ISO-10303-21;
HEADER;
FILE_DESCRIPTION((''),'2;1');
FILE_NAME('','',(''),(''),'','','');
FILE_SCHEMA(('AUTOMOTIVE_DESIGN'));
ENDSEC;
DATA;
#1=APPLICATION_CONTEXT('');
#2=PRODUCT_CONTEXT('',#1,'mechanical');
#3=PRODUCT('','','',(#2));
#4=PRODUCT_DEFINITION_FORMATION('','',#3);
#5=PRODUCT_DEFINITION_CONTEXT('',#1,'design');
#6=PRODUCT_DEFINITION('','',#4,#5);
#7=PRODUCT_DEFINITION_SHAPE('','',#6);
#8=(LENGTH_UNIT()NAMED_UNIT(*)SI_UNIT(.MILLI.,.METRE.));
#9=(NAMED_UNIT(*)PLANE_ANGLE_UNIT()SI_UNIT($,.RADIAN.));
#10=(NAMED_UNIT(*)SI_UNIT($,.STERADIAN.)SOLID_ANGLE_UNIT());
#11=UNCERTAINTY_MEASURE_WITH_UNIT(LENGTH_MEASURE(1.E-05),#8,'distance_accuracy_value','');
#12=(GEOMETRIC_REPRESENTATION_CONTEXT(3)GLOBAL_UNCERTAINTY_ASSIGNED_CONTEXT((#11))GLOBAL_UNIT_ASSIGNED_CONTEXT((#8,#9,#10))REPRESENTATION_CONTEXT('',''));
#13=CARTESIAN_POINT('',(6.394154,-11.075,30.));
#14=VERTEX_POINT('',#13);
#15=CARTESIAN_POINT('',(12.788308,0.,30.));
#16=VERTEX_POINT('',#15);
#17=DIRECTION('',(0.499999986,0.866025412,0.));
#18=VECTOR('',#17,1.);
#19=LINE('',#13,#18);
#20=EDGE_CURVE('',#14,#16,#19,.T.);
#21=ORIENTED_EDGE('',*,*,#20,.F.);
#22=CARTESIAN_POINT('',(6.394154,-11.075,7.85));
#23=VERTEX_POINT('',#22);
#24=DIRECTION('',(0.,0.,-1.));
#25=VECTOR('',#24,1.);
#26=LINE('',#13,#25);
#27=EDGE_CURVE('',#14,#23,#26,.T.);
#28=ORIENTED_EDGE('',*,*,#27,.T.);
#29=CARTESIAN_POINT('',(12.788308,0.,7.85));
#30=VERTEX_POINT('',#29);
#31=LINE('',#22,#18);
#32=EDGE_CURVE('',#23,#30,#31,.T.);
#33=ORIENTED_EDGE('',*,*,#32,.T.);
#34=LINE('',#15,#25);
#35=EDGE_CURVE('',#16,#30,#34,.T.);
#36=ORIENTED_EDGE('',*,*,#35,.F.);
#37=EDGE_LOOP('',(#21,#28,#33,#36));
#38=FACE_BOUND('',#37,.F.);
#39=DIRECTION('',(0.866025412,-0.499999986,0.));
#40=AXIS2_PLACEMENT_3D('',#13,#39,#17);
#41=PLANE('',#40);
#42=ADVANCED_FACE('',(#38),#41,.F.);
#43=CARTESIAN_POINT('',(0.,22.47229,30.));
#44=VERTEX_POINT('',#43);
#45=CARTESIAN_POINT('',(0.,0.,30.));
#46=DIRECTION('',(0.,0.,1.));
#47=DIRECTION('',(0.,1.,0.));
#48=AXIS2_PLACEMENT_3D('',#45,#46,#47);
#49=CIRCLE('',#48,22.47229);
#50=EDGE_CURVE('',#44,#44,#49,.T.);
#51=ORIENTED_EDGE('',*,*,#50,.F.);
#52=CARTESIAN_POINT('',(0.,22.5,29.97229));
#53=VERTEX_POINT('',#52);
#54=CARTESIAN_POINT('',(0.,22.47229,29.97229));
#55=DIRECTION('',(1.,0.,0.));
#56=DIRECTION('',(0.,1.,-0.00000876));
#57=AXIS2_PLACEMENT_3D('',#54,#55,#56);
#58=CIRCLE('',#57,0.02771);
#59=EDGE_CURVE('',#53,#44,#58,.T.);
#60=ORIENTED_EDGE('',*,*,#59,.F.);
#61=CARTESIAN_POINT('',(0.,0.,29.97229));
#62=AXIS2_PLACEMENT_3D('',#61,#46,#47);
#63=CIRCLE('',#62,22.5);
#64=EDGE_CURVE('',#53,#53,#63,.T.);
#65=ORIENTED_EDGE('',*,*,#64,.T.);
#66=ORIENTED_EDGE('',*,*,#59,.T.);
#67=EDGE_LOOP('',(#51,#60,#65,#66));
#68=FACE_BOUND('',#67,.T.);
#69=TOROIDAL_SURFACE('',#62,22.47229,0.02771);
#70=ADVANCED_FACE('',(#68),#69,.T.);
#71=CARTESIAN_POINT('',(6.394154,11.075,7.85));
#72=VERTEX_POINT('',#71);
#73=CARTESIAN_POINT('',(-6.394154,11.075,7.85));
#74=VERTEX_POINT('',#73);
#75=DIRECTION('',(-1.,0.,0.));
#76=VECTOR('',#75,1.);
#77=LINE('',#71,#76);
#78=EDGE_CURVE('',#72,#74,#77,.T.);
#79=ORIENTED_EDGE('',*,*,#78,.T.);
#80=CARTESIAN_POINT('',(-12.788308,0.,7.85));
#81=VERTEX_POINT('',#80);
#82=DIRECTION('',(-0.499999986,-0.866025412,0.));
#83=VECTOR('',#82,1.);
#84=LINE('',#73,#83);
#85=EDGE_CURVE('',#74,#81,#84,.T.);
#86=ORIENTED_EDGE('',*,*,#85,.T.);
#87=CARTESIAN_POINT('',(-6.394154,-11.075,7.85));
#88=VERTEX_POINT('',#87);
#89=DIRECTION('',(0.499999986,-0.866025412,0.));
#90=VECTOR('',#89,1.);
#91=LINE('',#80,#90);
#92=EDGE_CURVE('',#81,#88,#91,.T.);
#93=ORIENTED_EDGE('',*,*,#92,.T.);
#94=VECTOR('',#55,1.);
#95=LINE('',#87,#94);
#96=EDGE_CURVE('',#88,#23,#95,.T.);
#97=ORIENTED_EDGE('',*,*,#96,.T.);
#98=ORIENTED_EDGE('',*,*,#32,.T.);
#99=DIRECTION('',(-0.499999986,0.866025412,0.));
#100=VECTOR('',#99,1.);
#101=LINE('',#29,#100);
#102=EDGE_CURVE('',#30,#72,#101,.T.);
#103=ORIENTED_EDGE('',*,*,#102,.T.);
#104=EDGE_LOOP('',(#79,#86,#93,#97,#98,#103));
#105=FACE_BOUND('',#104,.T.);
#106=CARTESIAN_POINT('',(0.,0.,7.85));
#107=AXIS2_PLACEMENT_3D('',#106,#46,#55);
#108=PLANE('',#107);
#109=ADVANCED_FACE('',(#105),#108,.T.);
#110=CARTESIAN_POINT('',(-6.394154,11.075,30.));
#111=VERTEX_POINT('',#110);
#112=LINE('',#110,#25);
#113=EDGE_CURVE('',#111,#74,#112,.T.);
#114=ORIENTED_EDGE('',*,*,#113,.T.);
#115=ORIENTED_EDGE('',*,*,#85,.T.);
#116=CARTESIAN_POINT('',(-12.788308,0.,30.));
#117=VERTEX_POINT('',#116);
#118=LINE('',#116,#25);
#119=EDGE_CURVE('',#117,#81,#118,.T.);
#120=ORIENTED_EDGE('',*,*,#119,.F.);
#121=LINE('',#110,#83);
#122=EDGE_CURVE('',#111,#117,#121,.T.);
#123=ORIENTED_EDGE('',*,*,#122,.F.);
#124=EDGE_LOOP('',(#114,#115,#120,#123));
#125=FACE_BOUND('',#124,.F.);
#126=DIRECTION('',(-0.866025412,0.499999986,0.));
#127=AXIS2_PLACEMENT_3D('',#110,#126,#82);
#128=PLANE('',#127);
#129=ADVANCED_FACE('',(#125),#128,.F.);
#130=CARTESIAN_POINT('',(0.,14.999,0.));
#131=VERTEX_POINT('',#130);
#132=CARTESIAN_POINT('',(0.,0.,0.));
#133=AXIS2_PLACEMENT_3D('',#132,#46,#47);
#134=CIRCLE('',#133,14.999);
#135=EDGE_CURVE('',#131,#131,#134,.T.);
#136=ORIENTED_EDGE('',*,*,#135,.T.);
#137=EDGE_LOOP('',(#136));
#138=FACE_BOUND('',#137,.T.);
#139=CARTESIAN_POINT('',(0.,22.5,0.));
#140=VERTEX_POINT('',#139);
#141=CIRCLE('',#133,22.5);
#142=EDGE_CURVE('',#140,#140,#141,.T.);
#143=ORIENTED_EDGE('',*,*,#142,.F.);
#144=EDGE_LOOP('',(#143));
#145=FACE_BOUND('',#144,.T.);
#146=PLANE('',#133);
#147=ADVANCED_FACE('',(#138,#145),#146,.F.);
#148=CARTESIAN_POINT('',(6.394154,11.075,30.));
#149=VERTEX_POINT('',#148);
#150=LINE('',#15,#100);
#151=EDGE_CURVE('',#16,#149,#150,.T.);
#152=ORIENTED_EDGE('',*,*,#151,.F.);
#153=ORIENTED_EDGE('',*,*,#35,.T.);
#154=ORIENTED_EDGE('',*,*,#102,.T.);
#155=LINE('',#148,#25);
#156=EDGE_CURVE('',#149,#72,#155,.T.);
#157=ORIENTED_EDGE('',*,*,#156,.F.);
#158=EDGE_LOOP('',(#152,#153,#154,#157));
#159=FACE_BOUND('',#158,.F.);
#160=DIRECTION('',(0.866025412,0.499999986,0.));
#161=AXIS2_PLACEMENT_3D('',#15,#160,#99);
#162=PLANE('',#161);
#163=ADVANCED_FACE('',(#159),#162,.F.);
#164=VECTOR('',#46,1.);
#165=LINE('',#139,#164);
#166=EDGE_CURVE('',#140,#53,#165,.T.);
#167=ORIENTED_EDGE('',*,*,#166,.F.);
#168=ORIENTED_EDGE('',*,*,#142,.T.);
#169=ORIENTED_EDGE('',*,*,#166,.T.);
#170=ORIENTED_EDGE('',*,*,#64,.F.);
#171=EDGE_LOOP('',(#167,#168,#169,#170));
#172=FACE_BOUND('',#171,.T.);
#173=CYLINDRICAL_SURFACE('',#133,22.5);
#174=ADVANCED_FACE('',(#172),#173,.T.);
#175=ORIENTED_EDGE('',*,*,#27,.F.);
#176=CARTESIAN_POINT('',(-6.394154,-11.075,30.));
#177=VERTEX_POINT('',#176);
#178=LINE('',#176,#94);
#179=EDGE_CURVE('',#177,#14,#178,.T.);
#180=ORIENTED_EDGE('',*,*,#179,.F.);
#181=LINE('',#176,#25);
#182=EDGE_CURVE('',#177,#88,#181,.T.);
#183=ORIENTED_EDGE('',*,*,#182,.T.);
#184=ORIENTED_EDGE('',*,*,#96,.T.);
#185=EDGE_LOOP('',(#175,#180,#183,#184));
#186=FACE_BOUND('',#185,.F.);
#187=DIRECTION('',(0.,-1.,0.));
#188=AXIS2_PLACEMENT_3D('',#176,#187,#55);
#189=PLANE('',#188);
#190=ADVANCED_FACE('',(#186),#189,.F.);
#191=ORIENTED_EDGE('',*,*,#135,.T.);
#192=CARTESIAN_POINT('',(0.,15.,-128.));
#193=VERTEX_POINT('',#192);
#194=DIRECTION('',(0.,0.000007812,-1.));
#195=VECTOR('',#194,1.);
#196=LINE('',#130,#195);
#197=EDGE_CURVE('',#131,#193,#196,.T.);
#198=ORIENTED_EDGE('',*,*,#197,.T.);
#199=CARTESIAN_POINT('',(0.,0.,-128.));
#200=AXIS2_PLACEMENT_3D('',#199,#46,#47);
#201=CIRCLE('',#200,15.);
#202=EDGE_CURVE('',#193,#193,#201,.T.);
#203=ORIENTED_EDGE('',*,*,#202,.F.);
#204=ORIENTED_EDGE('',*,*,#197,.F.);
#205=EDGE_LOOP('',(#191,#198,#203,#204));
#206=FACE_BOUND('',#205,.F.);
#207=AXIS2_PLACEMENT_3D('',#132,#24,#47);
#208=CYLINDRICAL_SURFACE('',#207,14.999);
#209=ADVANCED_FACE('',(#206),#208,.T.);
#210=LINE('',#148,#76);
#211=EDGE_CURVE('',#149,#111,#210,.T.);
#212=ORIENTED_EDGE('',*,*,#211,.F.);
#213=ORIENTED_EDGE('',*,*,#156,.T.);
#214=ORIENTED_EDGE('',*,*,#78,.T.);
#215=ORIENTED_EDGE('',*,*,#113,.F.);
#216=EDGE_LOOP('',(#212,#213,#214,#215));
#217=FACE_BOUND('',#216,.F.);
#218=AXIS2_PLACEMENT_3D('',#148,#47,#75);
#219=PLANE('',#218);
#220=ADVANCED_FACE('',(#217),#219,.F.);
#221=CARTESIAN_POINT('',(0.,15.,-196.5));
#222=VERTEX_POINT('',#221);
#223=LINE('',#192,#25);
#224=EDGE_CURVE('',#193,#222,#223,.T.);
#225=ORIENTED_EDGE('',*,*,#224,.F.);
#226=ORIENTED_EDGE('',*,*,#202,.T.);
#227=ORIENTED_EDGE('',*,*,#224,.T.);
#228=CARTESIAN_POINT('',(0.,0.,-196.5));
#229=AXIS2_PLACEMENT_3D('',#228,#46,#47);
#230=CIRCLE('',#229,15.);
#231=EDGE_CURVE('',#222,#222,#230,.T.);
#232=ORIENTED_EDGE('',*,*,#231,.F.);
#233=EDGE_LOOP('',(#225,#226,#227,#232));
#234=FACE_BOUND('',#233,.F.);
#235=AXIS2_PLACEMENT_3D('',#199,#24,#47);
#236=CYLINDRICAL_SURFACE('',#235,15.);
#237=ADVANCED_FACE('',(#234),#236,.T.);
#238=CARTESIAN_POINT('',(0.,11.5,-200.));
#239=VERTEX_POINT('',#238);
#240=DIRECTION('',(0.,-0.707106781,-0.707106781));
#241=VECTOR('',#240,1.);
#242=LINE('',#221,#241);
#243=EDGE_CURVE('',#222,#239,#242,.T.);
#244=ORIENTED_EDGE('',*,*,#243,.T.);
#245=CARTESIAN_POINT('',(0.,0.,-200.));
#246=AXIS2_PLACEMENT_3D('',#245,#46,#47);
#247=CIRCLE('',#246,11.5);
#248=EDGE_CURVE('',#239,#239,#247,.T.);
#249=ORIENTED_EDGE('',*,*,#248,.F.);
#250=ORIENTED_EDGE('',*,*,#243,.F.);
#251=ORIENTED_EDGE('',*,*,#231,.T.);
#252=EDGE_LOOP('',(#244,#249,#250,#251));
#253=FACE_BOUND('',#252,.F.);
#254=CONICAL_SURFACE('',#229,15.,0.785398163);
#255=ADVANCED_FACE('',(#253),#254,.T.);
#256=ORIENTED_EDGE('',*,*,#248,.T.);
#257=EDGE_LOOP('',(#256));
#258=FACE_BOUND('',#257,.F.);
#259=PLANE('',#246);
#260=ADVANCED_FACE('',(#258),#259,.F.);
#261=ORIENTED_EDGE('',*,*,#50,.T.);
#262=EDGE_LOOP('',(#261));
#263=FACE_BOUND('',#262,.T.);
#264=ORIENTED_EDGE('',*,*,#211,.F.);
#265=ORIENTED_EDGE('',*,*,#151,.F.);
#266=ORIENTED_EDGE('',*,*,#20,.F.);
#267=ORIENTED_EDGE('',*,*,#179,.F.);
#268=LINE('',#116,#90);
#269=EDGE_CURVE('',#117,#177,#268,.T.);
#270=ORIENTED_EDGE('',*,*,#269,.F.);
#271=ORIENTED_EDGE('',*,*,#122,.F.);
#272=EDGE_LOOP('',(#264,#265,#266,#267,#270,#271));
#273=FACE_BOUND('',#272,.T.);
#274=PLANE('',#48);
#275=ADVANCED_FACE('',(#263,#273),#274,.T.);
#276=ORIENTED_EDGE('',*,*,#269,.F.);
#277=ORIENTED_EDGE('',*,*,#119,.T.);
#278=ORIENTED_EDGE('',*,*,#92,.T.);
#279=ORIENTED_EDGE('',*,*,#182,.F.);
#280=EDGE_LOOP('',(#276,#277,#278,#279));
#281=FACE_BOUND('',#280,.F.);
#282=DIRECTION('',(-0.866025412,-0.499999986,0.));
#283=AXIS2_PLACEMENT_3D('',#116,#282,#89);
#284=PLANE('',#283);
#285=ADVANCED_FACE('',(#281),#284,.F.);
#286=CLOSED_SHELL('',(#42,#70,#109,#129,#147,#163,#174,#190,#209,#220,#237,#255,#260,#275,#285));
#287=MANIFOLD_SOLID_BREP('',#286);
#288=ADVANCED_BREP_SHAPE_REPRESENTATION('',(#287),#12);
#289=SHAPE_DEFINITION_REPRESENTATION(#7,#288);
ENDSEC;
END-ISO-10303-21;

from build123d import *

# Parameters (mm, degrees)
POCKET_DEPTH = 22.15


with BuildPart() as part:
    # Sketch → Revolve (revolve)
    with BuildSketch(Plane.YZ):
        with BuildLine():
            Line((14.999, 0), (22.5, 0))
            Line((22.5, 0), (22.5, 29.97229))
            ThreePointArc((22.5, 29.97229), (22.491884, 29.991884), (22.47229, 30))
            Line((22.47229, 30), (0, 30))
            Line((0, -200), (0, 30))
            Line((11.5, -200), (0, -200))
            Line((15, -196.5), (11.5, -200))
            Line((15, -128), (15, -196.5))
            Line((14.999, 0), (15, -128))
        make_face()
    revolve(axis=Axis((0, 0, 0), (0, 0, 1)))

    # Sketch001 → Pocket (cut)
    with BuildSketch(Plane.XY.offset(30)):
        Polygon((12.788308, 0), (6.394154, 11.075), (-6.394154, 11.075), (-12.788308, 0), (-6.394154, -11.075), (6.394154, -11.075), align=None)
    extrude(amount=-POCKET_DEPTH, mode=Mode.SUBTRACT)


solid = part.part
